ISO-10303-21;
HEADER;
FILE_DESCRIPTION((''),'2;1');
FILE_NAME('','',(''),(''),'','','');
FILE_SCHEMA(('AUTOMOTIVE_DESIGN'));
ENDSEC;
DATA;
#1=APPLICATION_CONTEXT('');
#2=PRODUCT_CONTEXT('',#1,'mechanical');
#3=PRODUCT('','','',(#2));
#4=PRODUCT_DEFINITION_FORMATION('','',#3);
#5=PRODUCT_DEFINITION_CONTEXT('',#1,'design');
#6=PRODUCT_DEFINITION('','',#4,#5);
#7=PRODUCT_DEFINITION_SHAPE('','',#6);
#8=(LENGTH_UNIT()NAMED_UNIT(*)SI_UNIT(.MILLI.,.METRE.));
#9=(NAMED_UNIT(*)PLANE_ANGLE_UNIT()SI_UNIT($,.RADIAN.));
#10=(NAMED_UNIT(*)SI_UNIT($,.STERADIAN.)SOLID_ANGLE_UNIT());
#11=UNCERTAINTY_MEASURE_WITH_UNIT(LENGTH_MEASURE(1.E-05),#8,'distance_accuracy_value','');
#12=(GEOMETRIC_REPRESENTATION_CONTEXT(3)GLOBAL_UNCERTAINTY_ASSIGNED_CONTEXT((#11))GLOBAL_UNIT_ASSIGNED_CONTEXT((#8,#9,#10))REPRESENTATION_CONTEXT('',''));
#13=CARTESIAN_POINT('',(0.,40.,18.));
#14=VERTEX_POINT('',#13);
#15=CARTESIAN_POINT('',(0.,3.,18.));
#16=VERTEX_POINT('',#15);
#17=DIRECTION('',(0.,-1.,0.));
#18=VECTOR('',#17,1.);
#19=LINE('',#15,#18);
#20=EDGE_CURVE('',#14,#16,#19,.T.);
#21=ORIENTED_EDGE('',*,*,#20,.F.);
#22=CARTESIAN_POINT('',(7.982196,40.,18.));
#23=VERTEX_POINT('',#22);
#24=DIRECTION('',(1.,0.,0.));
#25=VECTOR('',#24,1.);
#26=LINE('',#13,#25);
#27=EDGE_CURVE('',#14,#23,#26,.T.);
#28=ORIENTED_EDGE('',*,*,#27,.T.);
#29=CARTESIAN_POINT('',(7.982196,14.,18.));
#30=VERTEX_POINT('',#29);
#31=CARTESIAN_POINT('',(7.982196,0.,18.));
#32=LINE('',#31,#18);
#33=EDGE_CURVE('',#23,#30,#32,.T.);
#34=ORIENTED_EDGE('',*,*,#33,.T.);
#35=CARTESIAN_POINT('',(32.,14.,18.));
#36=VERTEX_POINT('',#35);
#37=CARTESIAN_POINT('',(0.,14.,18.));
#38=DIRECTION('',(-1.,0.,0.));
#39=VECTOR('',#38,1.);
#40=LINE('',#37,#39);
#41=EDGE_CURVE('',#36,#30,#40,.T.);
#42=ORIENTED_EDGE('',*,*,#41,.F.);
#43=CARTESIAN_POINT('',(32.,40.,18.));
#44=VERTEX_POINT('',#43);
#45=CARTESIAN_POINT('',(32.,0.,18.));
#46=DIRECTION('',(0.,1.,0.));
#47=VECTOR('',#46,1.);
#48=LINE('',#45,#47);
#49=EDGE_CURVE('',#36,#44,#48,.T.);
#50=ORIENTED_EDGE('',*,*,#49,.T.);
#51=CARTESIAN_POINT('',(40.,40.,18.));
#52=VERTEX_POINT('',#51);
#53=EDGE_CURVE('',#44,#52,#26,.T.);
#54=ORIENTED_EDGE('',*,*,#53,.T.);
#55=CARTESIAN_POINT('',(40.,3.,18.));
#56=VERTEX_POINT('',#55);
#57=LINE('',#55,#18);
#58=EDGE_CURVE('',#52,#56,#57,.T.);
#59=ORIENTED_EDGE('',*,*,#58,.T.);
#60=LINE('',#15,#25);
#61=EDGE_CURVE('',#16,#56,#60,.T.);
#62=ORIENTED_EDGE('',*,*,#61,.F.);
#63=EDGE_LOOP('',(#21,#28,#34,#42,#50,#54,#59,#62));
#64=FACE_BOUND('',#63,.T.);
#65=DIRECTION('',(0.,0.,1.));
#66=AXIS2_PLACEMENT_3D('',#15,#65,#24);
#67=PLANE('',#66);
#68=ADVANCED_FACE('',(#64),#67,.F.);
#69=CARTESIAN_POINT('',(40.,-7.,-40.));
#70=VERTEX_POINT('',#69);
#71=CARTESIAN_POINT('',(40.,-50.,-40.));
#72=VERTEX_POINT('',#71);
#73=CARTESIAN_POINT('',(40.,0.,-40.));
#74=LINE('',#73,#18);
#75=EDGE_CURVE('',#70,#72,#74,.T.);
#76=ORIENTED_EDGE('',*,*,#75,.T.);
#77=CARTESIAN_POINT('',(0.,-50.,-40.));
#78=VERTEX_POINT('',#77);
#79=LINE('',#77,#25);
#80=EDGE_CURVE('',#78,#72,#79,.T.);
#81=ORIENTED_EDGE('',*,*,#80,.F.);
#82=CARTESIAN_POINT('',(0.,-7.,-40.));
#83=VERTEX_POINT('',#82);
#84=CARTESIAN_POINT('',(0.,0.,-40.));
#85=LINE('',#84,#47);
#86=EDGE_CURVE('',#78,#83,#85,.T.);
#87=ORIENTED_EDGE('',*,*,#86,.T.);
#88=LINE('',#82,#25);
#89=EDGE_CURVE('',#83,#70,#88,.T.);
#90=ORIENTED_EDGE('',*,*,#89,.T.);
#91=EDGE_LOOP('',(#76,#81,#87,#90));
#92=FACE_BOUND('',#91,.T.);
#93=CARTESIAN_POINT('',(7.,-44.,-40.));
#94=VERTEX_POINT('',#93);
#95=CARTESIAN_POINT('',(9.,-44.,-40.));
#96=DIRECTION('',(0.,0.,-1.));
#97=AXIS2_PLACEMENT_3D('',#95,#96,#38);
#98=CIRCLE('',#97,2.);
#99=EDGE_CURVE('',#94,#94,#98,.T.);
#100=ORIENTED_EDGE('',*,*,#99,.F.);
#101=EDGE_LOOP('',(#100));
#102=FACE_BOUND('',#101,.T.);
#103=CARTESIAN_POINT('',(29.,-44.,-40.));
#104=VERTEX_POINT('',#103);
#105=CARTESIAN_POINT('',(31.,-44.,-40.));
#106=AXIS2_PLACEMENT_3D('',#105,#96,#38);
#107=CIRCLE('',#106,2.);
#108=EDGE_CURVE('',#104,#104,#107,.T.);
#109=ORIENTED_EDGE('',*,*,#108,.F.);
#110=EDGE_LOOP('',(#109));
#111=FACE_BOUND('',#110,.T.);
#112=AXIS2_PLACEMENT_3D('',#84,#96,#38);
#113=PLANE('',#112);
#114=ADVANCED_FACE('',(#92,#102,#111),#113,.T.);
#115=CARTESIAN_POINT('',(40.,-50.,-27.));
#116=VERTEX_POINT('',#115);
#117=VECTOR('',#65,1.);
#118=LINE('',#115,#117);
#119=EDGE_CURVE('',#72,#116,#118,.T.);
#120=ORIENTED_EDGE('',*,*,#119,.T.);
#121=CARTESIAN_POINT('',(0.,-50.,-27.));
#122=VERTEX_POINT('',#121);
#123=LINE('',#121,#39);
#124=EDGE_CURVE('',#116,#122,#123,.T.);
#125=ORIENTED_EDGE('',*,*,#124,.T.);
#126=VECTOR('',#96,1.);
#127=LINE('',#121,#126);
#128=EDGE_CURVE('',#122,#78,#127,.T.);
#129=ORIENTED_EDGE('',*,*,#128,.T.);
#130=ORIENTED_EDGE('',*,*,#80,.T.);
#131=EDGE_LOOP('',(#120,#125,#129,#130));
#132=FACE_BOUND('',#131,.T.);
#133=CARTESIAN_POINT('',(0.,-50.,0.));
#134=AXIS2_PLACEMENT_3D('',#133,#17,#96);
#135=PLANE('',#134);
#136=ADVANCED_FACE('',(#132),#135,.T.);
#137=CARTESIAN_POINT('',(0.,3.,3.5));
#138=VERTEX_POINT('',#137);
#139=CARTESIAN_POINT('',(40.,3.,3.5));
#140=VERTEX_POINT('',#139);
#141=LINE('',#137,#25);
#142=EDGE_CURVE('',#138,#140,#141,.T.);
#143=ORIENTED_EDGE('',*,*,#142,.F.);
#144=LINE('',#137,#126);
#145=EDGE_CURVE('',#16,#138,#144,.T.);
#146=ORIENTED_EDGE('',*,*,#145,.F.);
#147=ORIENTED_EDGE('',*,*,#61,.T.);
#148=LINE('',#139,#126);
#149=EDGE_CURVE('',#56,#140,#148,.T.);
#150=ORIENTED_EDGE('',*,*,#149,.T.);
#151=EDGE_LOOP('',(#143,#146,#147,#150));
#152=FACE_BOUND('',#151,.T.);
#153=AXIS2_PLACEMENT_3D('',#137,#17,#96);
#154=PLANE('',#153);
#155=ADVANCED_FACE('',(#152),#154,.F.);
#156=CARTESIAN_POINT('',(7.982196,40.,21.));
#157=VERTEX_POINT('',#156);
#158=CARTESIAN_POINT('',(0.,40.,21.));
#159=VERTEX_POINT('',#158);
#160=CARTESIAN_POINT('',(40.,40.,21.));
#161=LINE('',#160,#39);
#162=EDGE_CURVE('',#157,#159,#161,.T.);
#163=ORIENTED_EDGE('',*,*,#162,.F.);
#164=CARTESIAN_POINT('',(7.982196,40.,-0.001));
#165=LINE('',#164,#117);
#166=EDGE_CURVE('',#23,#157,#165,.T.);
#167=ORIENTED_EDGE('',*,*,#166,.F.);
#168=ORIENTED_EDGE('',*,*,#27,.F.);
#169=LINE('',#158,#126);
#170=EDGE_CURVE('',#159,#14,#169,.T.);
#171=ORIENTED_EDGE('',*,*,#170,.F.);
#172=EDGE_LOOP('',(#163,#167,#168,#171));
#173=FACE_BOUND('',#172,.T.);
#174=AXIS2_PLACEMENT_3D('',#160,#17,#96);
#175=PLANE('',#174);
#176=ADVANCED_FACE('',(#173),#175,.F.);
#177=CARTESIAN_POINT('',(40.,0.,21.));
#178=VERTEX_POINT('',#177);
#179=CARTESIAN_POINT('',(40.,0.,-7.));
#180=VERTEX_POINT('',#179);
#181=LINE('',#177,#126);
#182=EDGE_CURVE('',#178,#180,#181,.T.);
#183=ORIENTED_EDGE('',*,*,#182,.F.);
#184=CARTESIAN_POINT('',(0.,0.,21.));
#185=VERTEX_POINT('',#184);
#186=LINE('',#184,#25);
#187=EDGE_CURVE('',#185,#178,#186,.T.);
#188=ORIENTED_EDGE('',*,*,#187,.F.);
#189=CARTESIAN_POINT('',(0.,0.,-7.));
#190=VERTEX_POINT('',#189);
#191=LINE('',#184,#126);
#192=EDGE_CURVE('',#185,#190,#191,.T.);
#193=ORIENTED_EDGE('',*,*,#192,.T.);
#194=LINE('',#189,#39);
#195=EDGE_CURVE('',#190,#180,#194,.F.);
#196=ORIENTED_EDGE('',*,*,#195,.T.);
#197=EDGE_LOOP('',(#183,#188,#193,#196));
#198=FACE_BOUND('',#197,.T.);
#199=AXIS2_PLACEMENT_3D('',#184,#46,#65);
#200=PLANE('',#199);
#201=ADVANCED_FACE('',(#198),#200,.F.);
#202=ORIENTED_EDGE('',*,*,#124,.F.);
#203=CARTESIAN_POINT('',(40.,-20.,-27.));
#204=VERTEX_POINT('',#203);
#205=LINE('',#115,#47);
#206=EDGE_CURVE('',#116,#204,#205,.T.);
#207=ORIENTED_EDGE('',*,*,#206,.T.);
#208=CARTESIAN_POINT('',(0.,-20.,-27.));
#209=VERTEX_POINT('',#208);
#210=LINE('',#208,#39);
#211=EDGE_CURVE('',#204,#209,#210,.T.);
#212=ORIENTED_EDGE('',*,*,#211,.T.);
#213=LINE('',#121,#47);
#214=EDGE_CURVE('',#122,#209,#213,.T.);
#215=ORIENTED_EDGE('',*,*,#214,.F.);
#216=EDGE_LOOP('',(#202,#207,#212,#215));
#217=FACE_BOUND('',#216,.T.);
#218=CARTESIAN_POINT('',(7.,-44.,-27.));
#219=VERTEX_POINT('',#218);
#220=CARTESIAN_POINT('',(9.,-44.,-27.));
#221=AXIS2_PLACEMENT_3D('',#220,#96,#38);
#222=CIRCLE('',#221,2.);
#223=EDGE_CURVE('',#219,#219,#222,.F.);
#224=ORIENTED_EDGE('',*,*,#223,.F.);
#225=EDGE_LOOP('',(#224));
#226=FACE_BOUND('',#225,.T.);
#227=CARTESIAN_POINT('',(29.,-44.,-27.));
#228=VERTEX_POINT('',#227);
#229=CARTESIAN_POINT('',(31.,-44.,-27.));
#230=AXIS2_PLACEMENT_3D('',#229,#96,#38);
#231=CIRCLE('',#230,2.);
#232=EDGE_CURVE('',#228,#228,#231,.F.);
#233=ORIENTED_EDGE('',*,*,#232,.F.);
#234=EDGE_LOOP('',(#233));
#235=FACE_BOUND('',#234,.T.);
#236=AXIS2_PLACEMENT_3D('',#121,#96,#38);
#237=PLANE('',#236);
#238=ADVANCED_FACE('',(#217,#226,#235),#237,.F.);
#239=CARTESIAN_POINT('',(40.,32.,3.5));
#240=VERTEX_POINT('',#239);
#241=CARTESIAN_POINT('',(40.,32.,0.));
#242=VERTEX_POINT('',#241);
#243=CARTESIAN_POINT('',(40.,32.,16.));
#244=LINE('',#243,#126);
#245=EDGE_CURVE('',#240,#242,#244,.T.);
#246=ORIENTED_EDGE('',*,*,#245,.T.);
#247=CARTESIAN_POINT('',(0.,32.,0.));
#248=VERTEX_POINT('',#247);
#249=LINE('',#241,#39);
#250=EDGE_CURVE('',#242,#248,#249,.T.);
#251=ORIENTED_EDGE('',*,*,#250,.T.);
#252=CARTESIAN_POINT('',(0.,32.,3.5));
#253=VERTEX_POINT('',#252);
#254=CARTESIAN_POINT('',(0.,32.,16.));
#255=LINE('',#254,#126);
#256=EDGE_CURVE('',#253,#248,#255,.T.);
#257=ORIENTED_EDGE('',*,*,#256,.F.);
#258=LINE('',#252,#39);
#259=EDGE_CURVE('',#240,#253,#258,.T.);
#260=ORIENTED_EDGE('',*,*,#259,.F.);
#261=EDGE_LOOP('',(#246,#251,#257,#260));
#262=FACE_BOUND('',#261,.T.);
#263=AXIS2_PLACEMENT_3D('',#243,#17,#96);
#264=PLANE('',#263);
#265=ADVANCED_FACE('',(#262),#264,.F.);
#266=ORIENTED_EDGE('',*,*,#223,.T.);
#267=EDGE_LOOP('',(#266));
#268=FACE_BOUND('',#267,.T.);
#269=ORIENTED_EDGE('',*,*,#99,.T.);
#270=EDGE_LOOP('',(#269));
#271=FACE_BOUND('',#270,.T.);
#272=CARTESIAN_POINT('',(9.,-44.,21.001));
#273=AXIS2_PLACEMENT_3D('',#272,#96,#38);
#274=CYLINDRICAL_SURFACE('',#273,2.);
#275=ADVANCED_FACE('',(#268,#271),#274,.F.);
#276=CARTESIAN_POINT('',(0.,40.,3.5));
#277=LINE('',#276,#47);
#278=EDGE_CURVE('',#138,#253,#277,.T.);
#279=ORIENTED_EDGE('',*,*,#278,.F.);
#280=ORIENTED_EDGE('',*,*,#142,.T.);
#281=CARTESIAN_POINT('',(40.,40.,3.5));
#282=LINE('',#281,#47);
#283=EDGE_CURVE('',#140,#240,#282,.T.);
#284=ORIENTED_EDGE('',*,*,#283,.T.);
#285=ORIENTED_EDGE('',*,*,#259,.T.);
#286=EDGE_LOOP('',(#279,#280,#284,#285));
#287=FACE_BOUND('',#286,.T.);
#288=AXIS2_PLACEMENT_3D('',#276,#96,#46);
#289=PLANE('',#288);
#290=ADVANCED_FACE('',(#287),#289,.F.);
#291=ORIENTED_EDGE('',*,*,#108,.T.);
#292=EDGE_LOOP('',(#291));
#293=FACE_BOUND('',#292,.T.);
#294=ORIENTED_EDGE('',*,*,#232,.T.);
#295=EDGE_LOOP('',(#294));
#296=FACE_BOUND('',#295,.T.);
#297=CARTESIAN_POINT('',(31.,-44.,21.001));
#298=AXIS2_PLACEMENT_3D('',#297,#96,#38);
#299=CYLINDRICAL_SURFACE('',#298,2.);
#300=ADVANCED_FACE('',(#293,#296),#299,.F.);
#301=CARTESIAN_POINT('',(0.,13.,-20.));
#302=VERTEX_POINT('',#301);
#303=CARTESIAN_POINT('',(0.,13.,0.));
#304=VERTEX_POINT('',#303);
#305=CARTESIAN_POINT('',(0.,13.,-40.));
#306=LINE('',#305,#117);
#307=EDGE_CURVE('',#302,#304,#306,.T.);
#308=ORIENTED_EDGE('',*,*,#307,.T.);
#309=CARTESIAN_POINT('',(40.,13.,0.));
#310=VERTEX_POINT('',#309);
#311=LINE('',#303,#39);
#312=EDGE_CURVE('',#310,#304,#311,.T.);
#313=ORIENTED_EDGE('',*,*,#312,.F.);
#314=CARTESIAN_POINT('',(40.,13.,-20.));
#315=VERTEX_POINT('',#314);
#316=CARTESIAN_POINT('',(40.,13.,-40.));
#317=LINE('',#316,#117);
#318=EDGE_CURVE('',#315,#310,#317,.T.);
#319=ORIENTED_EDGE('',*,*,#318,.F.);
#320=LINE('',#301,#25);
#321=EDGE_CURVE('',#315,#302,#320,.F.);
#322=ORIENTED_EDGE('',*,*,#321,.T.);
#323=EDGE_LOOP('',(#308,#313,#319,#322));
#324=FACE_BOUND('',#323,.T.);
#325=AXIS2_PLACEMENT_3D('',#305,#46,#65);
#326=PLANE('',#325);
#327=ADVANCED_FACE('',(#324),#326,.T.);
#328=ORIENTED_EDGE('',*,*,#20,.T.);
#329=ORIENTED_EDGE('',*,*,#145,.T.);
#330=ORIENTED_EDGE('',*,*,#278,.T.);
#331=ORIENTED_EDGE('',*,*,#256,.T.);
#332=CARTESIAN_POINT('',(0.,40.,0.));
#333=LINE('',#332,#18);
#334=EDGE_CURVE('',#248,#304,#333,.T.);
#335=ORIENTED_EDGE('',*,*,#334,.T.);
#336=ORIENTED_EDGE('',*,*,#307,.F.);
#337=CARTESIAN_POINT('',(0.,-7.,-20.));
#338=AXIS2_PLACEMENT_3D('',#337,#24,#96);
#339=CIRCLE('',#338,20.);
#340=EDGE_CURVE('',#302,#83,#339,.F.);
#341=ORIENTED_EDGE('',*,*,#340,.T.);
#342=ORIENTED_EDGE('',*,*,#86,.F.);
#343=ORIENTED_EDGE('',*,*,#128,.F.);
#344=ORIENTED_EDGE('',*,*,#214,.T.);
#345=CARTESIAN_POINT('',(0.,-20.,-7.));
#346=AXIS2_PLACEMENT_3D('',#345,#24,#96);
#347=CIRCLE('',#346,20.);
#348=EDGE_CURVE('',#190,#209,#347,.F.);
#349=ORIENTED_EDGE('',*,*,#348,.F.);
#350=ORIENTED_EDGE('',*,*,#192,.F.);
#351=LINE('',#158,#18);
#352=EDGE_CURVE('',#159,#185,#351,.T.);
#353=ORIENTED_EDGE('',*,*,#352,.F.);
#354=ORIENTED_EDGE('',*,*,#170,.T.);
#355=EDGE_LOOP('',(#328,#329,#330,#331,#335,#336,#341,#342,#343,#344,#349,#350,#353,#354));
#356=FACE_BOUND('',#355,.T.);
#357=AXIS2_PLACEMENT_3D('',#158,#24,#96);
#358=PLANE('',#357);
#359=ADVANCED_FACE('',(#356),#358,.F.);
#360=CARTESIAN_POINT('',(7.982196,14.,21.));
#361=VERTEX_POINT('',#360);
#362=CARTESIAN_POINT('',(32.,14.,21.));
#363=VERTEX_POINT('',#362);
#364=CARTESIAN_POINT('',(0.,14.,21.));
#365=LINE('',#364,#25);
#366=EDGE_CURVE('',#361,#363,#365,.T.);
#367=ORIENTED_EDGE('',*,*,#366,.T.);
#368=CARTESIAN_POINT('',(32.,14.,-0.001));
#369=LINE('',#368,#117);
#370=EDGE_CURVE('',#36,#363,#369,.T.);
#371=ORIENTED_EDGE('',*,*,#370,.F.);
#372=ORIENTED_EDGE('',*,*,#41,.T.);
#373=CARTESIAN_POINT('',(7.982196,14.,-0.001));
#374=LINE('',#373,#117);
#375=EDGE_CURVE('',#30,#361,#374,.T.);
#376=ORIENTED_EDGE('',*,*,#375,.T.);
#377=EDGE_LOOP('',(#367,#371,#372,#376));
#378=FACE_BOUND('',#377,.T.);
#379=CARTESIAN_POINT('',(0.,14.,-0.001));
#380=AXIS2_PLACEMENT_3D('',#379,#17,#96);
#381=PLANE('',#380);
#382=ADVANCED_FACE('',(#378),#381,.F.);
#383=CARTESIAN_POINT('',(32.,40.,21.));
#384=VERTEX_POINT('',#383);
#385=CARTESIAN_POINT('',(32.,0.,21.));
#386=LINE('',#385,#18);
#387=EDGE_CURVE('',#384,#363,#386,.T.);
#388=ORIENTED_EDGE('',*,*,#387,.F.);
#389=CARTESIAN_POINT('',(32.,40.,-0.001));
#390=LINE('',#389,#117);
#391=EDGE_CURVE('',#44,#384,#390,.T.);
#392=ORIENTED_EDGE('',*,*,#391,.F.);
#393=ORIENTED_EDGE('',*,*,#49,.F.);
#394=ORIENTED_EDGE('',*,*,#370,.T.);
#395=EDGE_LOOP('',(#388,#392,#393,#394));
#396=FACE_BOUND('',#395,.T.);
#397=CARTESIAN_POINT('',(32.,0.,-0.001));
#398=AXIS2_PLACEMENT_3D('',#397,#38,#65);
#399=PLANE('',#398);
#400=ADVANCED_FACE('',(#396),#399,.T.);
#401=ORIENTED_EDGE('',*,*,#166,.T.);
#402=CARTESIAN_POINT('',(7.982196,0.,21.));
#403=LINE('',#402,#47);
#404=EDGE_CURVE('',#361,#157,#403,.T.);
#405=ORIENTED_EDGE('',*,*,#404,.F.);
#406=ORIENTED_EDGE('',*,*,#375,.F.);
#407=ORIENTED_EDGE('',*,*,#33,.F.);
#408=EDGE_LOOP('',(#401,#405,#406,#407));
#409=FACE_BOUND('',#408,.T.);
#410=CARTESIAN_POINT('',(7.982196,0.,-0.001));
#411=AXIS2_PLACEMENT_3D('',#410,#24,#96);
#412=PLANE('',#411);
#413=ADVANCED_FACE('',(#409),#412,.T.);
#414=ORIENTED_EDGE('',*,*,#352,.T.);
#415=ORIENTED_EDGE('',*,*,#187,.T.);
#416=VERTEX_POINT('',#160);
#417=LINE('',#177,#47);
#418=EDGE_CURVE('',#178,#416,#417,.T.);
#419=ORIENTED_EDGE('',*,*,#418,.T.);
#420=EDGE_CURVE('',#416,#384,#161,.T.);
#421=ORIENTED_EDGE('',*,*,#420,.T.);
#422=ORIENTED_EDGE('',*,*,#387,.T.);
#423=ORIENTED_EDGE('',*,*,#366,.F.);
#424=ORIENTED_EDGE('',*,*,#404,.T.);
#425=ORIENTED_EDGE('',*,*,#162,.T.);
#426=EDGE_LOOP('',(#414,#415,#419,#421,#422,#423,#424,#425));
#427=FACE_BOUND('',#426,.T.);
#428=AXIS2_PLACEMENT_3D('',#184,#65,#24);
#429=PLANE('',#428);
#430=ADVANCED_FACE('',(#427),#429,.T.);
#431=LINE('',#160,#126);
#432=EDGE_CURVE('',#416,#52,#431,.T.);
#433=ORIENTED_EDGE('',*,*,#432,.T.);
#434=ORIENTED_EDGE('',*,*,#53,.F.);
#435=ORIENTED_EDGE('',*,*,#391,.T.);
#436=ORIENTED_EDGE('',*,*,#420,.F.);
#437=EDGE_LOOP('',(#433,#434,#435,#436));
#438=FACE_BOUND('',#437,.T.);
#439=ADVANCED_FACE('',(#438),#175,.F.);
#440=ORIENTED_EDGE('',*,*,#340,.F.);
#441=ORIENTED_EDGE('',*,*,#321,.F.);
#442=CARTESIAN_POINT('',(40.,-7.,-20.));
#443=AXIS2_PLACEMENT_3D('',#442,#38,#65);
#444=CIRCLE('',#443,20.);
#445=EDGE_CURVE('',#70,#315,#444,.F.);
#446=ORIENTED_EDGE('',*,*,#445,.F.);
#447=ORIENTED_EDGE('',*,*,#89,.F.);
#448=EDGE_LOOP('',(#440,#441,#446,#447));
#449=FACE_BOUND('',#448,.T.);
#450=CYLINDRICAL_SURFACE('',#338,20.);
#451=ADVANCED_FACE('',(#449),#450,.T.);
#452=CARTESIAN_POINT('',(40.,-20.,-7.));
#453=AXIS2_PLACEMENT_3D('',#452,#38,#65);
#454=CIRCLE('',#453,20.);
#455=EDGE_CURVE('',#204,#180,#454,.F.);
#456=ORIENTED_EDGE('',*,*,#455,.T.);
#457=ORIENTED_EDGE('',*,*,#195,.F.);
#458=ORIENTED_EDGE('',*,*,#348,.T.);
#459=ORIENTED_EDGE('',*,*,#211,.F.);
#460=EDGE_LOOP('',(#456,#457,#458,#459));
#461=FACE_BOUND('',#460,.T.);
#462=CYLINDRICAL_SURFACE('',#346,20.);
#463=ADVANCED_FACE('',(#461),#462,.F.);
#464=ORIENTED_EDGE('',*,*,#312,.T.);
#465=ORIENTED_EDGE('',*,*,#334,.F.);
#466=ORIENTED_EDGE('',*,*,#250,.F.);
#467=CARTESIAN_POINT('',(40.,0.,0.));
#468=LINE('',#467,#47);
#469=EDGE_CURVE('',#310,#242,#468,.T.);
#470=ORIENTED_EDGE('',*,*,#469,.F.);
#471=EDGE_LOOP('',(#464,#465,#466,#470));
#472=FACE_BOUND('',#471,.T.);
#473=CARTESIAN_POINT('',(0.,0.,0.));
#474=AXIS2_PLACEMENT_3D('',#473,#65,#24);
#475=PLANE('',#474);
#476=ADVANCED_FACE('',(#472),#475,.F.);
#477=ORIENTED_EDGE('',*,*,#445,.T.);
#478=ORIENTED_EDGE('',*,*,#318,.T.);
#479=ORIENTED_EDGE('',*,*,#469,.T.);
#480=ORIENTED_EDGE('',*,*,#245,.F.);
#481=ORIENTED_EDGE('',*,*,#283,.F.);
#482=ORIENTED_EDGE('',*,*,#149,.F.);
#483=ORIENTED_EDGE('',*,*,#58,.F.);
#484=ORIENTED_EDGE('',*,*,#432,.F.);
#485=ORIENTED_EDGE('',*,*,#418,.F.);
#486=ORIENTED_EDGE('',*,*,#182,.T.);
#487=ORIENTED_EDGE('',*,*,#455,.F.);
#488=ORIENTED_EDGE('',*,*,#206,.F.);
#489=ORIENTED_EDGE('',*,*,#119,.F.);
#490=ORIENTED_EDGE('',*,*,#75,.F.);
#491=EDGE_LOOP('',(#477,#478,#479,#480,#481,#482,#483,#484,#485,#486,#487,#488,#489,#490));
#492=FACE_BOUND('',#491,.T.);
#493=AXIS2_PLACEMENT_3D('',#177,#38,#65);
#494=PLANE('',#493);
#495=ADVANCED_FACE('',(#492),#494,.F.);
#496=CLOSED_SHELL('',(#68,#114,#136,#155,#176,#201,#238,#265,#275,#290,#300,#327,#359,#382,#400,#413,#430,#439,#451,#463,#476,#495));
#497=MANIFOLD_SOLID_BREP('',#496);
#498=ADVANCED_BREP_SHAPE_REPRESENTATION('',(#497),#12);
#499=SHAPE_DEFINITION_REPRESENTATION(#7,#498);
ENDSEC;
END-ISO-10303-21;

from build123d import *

# Parameters (mm, degrees)
SKETCH_1_W          = 40
SKETCH_1_H          = 40
EXTRUDE_1_DEPTH     = 21
SKETCH_2_W          = 14.5
SKETCH_2_H          = 37
CUT_EXTRUDE_1_DEPTH = 61.340699366
CUT_EXTRUDE_2_REACH = 62.341
SKETCH_3_W          = 24.017804412
SKETCH_3_H          = 26
SKETCH_4_W          = 40
SKETCH_4_H          = 8
CUT_EXTRUDE_3_DEPTH = 16
SKETCH_5_W          = 40
SKETCH_5_H          = 13
EXTRUDE_3_DEPTH     = 40
SKETCH_6_W          = 40
SKETCH_6_H          = 13
EXTRUDE_4_DEPTH     = 50
FILLET_1_R          = 20
FILLET_2_R          = 20
CUT_EXTRUDE_4_REACH = 90.436
SKETCH_7_R          = 2


with BuildPart() as part:
    # 草图1 → 凸台-拉伸1 (new body)
    with BuildSketch(Plane.XY):
        with Locations((20, 20)):
            Rectangle(SKETCH_1_W, SKETCH_1_H)
    extrude(amount=EXTRUDE_1_DEPTH)

    # 草图2 → 切除-拉伸1 (cut, through all)
    with BuildSketch(Plane(origin=(40, 0, 0), x_dir=(0, 0, -1), z_dir=(1, 0, 0))):
        with Locations((-10.75, 21.5)):
            Rectangle(SKETCH_2_W, SKETCH_2_H)
    extrude(amount=-CUT_EXTRUDE_1_DEPTH, mode=Mode.SUBTRACT)

    # 草图3 → 切除-拉伸2 (cut, up to next)
    with BuildSketch(Plane.XY.offset(21), mode=Mode.PRIVATE) as cut_extrude_2_sk1:
        with Locations((19.991097794, 27)):
            Rectangle(SKETCH_3_W, SKETCH_3_H)
    cut_extrude_2_tool1 = extrude(cut_extrude_2_sk1.sketch, amount=-CUT_EXTRUDE_2_REACH, mode=Mode.PRIVATE) & part.part
    add(cut_extrude_2_tool1.solids().sort_by_distance((19.991098, 27, 21))[0], mode=Mode.SUBTRACT)

    # 草图4 → 切除-拉伸3 (cut)
    with BuildSketch(Plane(origin=(0, 0, 0), x_dir=(-1, 0, 0), z_dir=(0, 0, -1))):
        with Locations((-20, 36)):
            Rectangle(SKETCH_4_W, SKETCH_4_H)
    extrude(amount=-CUT_EXTRUDE_3_DEPTH, mode=Mode.SUBTRACT)

    # 草图5 → 凸台-拉伸3 (add)
    with BuildSketch(Plane(origin=(0, 0, 0), x_dir=(-1, 0, 0), z_dir=(0, 0, -1))):
        with Locations((-20, 6.5)):
            Rectangle(SKETCH_5_W, SKETCH_5_H)
    extrude(amount=EXTRUDE_3_DEPTH)

    # 草图6 → 凸台-拉伸4 (add)
    with BuildSketch(Plane.XZ):
        with Locations((20, -33.5)):
            Rectangle(SKETCH_6_W, SKETCH_6_H)
    extrude(amount=EXTRUDE_4_DEPTH)

    # 圆角1
    fillet_1_edges = [part.edges().sort_by_distance(p)[0] for p in [
        (20, 0, -27),
    ]]
    fillet(fillet_1_edges, radius=FILLET_1_R)

    # 圆角2
    fillet_2_edges = [part.edges().sort_by_distance(p)[0] for p in [
        (20, 13, -40),
    ]]
    fillet(fillet_2_edges, radius=FILLET_2_R)

    # 草图7 → 切除-拉伸4 (cut, up to next)
    with BuildSketch(Plane(origin=(0, 0, -40), x_dir=(-1, 0, 0), z_dir=(0, 0, -1)), mode=Mode.PRIVATE) as cut_extrude_4_sk1:
        with Locations((-31, -44)):
            Circle(SKETCH_7_R)
    cut_extrude_4_tool1 = extrude(cut_extrude_4_sk1.sketch, amount=-CUT_EXTRUDE_4_REACH, mode=Mode.PRIVATE) & part.part
    # 草图7 → 切除-拉伸4 (cut, up to next)
    with BuildSketch(Plane(origin=(0, 0, -40), x_dir=(-1, 0, 0), z_dir=(0, 0, -1)), mode=Mode.PRIVATE) as cut_extrude_4_sk2:
        with Locations((-9, -44)):
            Circle(SKETCH_7_R)
    cut_extrude_4_tool2 = extrude(cut_extrude_4_sk2.sketch, amount=-CUT_EXTRUDE_4_REACH, mode=Mode.PRIVATE) & part.part
    add(cut_extrude_4_tool1.solids().sort_by_distance((31, -44, -40))[0], mode=Mode.SUBTRACT)
    add(cut_extrude_4_tool2.solids().sort_by_distance((9, -44, -40))[0], mode=Mode.SUBTRACT)


solid = part.part
